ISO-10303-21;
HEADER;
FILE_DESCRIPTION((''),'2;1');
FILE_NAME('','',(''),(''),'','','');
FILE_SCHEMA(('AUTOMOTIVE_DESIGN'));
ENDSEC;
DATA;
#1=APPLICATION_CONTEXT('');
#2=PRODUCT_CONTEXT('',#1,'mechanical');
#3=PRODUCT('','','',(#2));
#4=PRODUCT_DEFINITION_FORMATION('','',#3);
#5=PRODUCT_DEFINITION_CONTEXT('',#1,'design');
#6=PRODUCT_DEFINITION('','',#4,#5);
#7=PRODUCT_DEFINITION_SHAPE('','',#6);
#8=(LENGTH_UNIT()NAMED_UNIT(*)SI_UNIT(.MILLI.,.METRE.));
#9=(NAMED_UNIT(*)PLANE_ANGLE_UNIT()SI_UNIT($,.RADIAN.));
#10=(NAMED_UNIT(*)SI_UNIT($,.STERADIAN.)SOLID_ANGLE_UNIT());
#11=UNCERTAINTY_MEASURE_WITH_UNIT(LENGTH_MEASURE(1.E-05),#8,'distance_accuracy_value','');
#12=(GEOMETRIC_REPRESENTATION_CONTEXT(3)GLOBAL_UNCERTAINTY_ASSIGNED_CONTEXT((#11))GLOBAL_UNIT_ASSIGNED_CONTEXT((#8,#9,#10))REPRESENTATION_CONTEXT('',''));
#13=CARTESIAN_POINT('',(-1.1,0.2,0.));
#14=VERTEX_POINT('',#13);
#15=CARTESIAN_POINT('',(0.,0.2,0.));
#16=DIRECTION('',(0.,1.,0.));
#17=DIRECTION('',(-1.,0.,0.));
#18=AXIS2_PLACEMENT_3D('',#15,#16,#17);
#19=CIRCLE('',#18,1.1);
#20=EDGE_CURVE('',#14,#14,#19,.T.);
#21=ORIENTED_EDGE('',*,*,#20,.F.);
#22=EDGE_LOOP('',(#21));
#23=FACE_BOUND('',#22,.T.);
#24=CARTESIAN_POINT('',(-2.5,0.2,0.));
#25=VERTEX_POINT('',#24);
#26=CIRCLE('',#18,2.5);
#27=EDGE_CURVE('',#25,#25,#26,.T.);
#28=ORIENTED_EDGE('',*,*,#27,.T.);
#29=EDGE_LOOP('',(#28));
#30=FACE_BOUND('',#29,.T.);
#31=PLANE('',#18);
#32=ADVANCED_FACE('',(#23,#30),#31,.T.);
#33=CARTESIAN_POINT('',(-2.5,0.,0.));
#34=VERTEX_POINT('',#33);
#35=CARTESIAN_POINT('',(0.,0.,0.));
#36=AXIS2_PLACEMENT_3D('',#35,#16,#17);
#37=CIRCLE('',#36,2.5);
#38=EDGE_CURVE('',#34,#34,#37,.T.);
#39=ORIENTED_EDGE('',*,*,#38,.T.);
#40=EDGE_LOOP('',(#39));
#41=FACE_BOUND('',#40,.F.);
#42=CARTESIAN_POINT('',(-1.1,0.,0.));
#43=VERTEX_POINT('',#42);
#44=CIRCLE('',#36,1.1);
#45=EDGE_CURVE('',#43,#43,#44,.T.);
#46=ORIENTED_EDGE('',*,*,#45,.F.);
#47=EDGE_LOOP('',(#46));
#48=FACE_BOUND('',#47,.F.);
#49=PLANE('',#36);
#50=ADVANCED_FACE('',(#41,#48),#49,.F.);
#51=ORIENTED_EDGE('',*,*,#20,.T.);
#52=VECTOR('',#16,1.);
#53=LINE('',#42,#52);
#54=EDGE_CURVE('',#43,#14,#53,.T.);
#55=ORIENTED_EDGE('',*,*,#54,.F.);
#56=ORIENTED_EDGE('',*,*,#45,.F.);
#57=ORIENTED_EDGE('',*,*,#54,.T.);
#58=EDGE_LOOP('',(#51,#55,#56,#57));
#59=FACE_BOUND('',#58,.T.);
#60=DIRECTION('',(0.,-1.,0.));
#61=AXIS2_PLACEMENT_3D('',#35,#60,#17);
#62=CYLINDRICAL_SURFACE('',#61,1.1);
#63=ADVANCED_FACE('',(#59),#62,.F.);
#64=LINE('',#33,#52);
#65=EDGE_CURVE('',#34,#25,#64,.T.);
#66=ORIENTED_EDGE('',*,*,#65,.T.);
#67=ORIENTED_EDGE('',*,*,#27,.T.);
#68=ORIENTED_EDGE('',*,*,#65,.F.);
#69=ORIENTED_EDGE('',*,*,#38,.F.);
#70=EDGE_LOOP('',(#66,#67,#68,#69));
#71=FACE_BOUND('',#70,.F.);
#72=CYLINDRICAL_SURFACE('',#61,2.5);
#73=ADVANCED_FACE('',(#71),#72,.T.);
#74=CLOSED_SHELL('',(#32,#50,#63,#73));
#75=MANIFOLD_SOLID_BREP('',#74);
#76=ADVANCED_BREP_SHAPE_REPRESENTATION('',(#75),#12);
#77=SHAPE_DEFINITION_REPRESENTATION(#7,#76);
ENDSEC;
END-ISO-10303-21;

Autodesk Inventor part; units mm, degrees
ref_plane "YZ Plane" through (0, 0, 0) normal (1, 0, 0) x (0, 1, 0)
ref_plane "XZ Plane" through (0, 0, 0) normal (0, 1, 0) x (-1, 0, 0)
ref_plane "XY Plane" through (0, 0, 0) normal (0, 0, 1) x (1, 0, 0)
sketch "Sketch1" plane through (0, 0, 0) normal (0, 1, 0) x (-1, 0, 0)
  circle A0 centre (0, 0) radius 1.1
  circle A1 centre (0, 0) radius 2.5
  dimension "d0" = 2.2
  dimension "d1" = 5
extrude "Extrusion1" add sketch "Sketch1" along normal blind 0.2
properties part number "M2_Washer"
